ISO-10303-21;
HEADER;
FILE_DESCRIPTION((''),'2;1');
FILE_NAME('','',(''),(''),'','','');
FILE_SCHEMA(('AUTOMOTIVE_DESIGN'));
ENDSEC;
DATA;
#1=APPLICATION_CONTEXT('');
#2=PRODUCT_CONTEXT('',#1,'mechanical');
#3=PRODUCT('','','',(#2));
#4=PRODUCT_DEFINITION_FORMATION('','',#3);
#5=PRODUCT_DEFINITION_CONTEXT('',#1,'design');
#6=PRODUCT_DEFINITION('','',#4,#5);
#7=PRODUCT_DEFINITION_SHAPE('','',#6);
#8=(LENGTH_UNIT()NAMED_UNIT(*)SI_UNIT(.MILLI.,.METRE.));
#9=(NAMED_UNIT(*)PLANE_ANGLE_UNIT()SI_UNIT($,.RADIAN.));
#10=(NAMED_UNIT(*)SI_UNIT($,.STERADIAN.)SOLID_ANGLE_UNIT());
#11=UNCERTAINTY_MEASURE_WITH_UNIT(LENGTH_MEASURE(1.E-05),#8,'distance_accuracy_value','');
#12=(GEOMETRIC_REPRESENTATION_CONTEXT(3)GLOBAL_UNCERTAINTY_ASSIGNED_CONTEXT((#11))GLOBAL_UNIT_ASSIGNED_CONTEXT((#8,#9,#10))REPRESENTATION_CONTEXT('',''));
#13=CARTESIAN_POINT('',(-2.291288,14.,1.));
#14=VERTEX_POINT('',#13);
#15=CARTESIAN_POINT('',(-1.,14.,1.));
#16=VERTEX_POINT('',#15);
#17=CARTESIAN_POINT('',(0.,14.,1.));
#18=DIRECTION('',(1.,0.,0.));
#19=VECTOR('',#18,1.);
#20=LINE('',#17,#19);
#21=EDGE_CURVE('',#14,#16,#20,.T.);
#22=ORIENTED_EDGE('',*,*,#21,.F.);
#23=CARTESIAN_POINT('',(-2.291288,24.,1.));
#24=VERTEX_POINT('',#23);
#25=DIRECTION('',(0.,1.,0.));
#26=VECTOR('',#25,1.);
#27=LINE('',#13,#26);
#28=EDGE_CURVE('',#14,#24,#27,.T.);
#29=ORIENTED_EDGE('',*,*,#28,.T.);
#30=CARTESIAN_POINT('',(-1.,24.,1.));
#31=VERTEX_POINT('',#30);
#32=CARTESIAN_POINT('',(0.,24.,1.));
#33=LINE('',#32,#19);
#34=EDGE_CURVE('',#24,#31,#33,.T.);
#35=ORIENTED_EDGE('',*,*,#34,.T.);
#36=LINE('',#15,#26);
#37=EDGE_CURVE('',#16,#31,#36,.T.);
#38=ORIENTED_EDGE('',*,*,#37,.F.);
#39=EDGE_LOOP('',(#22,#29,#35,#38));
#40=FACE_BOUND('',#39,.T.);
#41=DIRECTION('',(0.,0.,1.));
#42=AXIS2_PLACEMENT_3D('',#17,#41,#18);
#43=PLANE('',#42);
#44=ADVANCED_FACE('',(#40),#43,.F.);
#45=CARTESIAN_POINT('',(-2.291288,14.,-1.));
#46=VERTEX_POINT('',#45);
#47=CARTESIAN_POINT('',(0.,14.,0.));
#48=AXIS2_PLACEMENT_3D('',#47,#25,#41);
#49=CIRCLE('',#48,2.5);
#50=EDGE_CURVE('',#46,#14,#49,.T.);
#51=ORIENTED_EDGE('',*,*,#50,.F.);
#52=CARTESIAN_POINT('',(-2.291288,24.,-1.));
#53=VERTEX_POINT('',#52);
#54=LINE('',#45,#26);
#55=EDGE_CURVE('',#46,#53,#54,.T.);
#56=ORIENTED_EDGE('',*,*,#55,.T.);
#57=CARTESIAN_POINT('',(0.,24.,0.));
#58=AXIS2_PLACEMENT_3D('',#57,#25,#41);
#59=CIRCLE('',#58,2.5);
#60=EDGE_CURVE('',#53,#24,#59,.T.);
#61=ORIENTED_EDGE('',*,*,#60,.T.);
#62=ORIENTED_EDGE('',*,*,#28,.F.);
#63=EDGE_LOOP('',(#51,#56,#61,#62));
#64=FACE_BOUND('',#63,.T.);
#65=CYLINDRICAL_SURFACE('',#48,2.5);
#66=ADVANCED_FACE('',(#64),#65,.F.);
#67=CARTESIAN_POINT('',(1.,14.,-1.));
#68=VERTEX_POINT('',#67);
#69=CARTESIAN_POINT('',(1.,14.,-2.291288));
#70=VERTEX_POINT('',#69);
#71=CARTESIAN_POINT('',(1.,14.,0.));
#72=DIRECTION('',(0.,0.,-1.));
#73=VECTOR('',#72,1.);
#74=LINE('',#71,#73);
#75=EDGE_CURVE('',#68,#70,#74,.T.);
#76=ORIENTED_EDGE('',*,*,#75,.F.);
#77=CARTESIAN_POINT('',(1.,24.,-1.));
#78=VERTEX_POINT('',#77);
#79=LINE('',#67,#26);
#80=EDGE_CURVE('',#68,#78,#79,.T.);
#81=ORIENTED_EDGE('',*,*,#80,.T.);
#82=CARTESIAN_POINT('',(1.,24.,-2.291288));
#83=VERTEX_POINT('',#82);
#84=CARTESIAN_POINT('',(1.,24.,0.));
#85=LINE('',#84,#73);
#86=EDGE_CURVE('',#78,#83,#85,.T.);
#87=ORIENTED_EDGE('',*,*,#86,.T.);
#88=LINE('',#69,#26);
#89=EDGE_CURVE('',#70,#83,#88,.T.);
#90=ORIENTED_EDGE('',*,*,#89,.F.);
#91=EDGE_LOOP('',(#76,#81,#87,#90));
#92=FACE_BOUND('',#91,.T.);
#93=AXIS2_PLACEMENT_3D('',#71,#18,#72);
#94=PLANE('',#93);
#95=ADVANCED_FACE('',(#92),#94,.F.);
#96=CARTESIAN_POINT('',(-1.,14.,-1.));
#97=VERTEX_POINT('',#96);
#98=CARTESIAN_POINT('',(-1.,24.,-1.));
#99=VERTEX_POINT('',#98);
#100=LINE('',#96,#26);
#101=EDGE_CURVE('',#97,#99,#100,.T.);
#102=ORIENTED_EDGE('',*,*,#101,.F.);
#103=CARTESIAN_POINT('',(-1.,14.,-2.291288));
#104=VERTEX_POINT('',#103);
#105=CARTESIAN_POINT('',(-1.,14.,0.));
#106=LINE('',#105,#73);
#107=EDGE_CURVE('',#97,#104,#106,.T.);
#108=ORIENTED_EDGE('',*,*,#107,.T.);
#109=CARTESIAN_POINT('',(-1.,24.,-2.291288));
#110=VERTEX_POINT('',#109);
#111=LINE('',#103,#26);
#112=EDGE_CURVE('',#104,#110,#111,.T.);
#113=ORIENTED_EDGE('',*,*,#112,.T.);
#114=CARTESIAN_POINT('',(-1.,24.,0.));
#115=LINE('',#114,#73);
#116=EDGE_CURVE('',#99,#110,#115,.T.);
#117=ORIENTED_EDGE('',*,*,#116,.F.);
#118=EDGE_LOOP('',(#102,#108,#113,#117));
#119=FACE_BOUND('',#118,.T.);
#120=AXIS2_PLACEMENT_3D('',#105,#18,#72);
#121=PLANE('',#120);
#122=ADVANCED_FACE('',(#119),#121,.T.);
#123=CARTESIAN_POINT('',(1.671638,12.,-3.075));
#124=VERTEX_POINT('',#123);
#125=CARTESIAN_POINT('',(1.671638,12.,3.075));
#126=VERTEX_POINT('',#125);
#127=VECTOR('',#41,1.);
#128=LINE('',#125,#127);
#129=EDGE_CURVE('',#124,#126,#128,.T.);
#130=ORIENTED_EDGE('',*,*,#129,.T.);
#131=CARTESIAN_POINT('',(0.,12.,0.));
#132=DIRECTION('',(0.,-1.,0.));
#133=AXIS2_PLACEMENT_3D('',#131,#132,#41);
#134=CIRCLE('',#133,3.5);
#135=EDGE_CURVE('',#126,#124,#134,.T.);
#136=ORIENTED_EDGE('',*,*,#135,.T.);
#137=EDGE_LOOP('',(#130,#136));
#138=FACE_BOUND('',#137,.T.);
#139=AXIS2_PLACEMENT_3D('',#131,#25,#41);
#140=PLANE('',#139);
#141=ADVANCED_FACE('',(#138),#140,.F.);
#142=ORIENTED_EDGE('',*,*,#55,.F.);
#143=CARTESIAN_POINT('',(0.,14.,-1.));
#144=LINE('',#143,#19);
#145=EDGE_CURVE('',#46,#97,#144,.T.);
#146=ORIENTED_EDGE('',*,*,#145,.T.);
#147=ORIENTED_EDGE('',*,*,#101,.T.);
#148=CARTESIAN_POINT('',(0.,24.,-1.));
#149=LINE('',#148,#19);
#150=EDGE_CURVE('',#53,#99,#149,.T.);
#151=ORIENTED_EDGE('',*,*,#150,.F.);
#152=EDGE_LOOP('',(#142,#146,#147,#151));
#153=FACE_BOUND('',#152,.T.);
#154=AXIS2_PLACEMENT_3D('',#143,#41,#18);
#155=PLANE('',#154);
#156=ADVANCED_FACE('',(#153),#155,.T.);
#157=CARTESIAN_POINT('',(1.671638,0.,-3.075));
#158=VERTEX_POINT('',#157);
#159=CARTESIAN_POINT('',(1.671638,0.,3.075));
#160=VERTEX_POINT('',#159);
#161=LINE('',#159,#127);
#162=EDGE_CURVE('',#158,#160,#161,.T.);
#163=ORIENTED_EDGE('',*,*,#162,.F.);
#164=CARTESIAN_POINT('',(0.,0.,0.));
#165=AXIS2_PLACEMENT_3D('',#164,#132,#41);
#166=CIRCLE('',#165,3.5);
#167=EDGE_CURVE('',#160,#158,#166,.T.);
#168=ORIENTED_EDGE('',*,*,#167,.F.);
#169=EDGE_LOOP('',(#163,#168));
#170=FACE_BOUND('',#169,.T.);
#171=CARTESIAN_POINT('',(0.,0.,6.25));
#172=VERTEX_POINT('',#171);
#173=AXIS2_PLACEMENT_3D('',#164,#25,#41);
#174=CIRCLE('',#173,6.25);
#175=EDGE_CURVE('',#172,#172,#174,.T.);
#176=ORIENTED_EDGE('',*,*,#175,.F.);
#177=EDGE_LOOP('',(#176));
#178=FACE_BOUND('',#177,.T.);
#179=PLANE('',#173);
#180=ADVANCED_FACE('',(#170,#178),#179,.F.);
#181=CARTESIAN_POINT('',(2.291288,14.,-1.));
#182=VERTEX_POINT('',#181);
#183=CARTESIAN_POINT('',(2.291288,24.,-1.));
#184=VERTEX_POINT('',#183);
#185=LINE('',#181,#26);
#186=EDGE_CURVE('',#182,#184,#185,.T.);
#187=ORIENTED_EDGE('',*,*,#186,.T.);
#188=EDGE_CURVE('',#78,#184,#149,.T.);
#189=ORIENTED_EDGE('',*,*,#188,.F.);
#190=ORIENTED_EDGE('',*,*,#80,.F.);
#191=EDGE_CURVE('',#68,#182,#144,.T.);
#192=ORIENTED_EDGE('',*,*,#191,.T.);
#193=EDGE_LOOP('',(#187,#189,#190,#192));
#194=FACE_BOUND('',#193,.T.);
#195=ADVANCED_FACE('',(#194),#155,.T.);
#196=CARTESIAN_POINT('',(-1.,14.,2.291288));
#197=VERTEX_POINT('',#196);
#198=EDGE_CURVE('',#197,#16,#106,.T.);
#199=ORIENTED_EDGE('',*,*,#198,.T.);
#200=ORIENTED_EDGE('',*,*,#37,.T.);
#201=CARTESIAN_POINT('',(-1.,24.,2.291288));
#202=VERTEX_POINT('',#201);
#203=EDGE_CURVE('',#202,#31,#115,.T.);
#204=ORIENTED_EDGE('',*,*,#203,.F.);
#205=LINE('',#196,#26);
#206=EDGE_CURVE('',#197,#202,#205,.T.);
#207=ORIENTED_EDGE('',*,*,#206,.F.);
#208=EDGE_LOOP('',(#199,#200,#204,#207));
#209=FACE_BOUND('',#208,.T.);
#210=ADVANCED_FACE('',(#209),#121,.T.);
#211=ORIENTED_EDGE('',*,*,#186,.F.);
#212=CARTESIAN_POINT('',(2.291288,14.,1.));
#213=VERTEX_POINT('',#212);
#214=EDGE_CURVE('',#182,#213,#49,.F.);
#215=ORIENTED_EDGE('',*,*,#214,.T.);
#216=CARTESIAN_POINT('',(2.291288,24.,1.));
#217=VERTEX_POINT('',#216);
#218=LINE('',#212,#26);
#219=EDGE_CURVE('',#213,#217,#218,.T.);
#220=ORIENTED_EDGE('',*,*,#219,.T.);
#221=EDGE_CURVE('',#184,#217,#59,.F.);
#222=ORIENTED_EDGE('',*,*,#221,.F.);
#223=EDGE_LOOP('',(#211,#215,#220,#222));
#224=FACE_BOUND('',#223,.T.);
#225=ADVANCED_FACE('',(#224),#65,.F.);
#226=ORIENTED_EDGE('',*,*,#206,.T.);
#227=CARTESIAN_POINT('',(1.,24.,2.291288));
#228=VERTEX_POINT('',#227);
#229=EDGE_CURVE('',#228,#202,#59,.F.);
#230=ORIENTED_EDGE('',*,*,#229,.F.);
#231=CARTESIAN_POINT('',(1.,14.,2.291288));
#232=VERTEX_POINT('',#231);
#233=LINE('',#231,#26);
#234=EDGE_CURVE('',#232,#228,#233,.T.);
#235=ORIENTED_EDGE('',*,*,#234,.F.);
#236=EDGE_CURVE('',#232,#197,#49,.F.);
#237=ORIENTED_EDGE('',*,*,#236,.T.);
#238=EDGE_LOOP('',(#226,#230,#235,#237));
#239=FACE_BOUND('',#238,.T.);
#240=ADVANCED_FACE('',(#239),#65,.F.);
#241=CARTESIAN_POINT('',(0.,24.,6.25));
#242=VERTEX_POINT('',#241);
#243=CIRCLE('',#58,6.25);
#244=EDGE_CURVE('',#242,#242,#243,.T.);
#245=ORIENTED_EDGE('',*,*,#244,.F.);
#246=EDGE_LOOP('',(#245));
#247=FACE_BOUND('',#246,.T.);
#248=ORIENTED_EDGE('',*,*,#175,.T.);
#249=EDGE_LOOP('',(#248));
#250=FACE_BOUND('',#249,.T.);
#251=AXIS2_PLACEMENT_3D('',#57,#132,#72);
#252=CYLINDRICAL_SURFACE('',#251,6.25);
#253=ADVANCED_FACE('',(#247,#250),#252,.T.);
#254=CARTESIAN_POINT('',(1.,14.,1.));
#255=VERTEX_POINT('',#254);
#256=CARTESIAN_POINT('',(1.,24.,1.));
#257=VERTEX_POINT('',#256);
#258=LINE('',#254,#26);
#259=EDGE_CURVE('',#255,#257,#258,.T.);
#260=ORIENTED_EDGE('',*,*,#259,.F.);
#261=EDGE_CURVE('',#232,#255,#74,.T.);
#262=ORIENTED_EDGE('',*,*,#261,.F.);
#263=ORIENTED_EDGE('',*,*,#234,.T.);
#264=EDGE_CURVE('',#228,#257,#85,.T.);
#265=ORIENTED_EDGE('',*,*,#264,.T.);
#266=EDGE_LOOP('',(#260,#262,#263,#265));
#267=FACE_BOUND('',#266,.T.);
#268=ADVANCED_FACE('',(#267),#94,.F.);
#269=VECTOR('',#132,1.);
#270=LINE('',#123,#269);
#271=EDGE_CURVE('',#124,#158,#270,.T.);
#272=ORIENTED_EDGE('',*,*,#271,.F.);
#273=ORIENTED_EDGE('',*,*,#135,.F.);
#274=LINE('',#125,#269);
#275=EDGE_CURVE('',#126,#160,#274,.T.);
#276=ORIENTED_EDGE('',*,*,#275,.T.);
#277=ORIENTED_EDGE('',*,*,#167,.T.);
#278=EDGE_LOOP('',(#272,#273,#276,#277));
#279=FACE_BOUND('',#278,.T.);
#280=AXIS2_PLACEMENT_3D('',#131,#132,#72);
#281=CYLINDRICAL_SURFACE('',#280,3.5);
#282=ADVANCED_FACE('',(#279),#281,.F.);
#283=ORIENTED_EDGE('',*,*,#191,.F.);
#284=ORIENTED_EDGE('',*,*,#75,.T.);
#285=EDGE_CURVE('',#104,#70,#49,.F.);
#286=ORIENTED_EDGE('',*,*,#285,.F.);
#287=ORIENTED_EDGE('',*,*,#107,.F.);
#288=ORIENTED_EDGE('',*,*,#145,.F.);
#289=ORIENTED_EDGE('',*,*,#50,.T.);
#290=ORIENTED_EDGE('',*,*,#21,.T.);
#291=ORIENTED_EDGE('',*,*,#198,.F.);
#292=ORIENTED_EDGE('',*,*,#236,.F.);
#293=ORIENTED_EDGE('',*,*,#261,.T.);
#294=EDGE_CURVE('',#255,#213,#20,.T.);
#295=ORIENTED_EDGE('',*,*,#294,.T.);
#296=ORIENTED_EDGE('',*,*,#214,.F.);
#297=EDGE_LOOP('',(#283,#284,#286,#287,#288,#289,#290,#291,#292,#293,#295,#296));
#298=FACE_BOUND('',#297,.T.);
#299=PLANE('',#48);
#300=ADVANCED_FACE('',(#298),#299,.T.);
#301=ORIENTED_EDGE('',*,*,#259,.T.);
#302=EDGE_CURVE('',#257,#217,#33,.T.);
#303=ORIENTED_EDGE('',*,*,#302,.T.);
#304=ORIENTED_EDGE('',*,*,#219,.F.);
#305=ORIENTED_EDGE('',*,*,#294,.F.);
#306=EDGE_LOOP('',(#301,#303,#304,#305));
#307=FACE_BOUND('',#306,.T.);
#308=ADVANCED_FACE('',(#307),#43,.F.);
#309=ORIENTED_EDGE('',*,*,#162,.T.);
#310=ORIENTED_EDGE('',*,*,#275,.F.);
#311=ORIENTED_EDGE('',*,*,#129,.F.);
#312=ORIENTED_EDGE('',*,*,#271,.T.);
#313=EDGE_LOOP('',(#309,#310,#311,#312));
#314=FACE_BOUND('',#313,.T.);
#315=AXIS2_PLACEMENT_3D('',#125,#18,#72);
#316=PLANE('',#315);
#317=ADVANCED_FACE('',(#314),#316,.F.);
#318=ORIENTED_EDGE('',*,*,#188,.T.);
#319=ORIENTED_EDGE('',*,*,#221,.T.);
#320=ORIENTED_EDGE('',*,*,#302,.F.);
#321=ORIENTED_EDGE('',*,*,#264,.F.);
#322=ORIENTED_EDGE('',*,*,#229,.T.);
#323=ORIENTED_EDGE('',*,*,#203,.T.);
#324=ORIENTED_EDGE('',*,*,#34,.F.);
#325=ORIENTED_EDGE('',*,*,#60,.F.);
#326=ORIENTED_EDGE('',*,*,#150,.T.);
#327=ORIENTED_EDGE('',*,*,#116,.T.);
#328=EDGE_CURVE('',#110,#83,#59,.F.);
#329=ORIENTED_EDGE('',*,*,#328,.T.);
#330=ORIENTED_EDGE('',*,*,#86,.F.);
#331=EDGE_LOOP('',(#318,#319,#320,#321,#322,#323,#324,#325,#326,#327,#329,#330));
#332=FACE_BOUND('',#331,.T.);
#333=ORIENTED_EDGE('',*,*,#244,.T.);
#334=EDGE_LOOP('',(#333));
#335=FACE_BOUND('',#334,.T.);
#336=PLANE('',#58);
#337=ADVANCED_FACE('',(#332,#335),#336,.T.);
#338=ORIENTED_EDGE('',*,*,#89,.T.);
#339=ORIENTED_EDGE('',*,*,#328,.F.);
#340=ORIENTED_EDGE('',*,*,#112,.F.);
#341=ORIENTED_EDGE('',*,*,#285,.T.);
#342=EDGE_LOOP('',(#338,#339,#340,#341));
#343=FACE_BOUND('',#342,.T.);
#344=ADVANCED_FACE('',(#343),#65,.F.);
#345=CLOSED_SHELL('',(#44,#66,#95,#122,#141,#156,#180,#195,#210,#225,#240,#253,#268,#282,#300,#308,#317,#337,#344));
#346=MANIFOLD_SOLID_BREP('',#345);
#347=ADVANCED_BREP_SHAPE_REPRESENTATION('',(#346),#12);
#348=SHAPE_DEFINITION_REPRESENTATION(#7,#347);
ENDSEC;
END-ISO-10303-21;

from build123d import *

# Parameters (mm, degrees)
ESQUISSE1_R             = 6.25
BOSS_EXTRU_1_DEPTH      = 24
ENL_V_MAT_EXTRU_1_DEPTH = 12
ESQUISSE5_W             = 2
ESQUISSE5_H             = 2
ENL_V_MAT_EXTRU_3_DEPTH = 10


with BuildPart() as part:
    # Esquisse1 → Boss.-Extru.1 (new body)
    with BuildSketch(Plane(origin=(0, 0, 0), x_dir=(1, 0, 0), z_dir=(0, 1, 0))):
        with Locations(Location((0, 0, 0), (0, 0, 270))):
            Circle(ESQUISSE1_R)
    extrude(amount=BOSS_EXTRU_1_DEPTH)

    # Esquisse4 → Enlèv. mat.-Extru.1 (cut)
    with BuildSketch(Plane.XZ):
        with BuildLine():
            Line((1.671638418, 3.075), (1.671638418, -3.075))
            ThreePointArc((1.671638418, -3.075), (-3.5, 0), (1.671638418, 3.075))
        make_face()
    extrude(amount=-ENL_V_MAT_EXTRU_1_DEPTH, mode=Mode.SUBTRACT)

    # Esquisse5 → Enlèv. mat.-Extru.3 (cut)
    with BuildSketch(Plane(origin=(0, 24, 0), x_dir=(1, 0, 0), z_dir=(0, 1, 0))):
        with BuildLine():
            Line((-1, 1), (1, 1))
            Line((1, 1), (1, 2.291287847))
            ThreePointArc((1, 2.291287847), (0, 2.5), (-1, 2.291287847))
            Line((-1, 2.291287847), (-1, 1))
        make_face()
        with BuildLine():
            Line((1, 1), (1, -1))
            Line((1, -1), (2.291287847, -1))
            ThreePointArc((2.291287847, -1), (2.5, 0), (2.291287847, 1))
            Line((2.291287847, 1), (1, 1))
        make_face()
        with BuildLine():
            Line((-2.291287847, -1), (-1, -1))
            Line((-1, -1), (-1, 1))
            Line((-1, 1), (-2.291287847, 1))
            ThreePointArc((-2.291287847, 1), (-2.5, 0), (-2.291287847, -1))
        make_face()
        with BuildLine():
            ThreePointArc((-1, -2.291287847), (0, -2.5), (1, -2.291287847))
            Line((1, -2.291287847), (1, -1))
            Line((1, -1), (-1, -1))
            Line((-1, -1), (-1, -2.291287847))
        make_face()
        Rectangle(ESQUISSE5_W, ESQUISSE5_H)
    extrude(amount=-ENL_V_MAT_EXTRU_3_DEPTH, mode=Mode.SUBTRACT)


solid = part.part
